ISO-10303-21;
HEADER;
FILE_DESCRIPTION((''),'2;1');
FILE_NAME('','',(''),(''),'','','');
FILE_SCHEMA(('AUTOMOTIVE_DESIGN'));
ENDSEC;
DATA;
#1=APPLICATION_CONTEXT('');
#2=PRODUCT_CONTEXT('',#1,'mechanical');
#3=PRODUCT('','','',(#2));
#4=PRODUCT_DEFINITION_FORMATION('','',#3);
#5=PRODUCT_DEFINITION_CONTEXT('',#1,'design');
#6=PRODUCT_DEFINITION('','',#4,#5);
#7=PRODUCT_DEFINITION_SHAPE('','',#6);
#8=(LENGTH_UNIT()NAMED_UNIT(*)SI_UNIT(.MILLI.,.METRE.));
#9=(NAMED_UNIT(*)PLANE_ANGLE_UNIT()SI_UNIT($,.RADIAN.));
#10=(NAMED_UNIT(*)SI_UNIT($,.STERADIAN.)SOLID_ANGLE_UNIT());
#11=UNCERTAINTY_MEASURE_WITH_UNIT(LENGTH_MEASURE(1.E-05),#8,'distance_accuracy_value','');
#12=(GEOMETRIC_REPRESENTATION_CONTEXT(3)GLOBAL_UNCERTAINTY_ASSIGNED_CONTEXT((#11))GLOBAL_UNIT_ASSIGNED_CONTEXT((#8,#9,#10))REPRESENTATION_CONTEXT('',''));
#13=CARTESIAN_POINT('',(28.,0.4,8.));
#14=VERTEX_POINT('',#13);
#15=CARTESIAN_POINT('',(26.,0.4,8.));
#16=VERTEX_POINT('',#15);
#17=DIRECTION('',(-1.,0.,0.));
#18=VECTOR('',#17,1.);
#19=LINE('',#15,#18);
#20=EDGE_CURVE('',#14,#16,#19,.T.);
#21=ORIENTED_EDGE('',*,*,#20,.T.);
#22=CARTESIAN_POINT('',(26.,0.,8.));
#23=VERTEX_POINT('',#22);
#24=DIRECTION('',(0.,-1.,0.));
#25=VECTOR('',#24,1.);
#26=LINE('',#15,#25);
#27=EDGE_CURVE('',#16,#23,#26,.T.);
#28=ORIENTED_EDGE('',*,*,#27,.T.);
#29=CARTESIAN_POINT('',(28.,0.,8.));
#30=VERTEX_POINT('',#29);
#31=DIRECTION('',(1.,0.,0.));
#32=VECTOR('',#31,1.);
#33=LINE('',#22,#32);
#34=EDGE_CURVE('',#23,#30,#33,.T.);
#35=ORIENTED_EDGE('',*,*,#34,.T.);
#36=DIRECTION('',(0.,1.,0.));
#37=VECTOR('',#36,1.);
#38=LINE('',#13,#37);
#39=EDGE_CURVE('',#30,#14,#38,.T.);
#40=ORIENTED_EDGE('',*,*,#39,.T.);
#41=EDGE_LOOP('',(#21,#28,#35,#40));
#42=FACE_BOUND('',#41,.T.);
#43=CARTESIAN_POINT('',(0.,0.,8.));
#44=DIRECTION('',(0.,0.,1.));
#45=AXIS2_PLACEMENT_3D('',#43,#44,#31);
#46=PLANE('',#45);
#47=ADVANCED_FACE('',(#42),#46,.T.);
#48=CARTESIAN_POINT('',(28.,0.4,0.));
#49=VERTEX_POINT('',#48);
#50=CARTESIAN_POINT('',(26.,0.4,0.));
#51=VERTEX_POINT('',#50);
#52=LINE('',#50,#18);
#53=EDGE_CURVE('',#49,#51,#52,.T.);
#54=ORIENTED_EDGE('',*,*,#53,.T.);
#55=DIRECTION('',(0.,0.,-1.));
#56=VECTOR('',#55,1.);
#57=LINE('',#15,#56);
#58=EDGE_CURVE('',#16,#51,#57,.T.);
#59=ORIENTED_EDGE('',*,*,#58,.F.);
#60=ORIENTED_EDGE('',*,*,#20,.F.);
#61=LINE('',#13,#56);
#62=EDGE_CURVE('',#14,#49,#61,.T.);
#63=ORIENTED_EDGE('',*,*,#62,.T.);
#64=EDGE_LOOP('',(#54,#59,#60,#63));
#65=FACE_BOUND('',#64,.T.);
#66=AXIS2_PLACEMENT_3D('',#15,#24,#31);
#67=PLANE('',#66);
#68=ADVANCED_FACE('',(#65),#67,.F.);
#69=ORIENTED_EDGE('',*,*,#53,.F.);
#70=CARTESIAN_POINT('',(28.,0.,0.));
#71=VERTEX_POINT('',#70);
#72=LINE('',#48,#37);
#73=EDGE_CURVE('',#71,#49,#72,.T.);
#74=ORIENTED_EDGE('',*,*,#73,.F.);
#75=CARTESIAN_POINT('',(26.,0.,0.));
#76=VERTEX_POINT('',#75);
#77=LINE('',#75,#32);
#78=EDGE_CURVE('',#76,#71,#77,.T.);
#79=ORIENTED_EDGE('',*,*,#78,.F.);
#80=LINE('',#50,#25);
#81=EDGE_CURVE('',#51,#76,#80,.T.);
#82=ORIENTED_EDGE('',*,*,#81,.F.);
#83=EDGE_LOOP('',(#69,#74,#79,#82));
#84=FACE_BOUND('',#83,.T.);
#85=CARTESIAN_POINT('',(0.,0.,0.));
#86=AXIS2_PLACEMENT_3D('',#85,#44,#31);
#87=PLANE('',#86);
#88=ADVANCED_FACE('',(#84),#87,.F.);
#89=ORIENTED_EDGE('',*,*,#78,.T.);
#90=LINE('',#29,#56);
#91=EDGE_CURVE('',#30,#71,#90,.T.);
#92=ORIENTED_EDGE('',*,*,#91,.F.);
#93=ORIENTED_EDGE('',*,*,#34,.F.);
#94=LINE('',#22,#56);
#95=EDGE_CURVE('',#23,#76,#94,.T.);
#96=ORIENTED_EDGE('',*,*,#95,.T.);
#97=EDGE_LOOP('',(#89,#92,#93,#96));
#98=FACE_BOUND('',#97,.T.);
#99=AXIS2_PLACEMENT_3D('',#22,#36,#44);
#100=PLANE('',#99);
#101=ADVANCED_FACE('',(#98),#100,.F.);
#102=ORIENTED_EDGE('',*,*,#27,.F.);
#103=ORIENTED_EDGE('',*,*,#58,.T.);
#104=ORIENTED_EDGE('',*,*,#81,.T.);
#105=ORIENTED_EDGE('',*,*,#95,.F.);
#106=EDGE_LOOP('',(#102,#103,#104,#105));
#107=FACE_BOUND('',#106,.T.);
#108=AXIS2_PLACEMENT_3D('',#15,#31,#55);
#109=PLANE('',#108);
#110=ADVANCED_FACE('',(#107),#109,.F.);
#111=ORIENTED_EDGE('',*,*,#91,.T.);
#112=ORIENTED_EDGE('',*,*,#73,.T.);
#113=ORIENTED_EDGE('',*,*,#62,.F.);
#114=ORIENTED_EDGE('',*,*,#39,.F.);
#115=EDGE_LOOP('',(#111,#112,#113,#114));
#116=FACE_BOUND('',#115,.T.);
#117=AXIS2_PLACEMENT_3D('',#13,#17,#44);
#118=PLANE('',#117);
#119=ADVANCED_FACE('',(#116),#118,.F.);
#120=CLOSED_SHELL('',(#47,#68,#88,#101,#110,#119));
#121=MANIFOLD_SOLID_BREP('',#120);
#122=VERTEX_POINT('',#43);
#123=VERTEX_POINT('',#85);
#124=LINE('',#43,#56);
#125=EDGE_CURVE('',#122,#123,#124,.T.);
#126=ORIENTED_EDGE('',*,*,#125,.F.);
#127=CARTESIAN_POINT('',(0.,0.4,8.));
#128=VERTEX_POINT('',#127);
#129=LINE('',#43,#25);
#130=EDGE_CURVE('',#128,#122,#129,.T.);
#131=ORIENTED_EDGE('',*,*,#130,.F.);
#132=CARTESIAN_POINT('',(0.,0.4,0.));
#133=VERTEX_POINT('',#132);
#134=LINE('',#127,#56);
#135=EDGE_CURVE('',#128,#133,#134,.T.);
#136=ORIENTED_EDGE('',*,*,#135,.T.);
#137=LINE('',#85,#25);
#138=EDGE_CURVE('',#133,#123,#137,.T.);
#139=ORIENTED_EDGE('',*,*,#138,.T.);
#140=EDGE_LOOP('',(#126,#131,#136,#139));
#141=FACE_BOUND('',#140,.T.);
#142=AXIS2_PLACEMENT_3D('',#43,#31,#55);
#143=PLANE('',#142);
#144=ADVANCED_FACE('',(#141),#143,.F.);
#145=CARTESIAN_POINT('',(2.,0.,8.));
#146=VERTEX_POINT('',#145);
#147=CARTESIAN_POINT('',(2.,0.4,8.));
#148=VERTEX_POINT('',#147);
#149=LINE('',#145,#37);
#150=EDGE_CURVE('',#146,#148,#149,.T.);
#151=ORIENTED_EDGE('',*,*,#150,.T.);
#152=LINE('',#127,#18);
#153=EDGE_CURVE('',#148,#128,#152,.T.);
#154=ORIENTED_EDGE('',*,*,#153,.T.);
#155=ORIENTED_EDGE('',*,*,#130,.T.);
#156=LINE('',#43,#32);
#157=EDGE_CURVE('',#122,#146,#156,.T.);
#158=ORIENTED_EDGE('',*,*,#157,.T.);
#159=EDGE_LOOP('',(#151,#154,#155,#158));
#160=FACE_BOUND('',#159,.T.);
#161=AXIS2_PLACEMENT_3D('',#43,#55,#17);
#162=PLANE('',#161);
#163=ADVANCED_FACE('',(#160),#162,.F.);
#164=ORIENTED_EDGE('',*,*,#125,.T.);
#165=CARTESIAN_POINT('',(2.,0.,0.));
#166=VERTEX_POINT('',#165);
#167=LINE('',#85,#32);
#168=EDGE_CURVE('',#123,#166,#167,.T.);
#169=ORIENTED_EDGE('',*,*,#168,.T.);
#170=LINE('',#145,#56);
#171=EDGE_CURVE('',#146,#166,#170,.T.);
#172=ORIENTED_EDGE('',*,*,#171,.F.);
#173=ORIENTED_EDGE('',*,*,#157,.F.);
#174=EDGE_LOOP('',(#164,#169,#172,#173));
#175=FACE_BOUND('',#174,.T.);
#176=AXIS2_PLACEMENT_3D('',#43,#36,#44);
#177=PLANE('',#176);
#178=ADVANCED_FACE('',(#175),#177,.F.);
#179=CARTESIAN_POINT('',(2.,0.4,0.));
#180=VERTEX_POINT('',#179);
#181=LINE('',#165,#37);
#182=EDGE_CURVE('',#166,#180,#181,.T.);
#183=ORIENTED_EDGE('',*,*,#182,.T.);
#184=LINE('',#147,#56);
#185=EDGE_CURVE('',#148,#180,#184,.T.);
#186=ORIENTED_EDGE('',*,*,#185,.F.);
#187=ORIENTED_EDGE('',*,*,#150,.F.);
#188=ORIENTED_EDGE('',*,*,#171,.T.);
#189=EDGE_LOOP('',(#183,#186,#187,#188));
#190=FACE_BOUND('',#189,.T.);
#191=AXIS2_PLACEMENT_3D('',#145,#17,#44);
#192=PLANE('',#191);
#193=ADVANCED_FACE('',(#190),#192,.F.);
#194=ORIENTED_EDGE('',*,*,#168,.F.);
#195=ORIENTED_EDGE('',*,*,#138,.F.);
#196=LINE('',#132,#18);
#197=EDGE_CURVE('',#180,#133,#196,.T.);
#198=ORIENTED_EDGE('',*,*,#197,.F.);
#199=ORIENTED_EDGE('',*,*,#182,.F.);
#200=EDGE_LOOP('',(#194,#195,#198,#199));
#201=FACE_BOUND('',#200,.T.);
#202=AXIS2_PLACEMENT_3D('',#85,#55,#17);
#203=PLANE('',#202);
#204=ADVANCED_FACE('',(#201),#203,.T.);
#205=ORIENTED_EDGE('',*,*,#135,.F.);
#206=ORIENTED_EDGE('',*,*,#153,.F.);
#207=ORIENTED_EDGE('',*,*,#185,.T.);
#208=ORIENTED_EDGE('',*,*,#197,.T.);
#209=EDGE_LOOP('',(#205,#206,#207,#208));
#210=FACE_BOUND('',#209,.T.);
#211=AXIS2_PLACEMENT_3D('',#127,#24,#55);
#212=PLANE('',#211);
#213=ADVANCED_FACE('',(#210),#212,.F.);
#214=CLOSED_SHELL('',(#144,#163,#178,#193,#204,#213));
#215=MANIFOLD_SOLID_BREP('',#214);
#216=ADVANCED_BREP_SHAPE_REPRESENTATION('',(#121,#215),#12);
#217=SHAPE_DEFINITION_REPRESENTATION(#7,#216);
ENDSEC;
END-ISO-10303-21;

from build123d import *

# Parameters (mm, degrees)
SKETCH1_W             = 2
SKETCH1_H             = 0.4
BOSS_EXTRUDE1_DEPTH   = 8
BOSS_EXTRUDE1_2_DEPTH = 8


with BuildPart() as part:
    # Sketch1 → Boss-Extrude1 (new body)
    with BuildSketch(Plane.XY):
        with Locations((1, 0.2)):
            Rectangle(SKETCH1_W, SKETCH1_H)
    extrude(amount=BOSS_EXTRUDE1_DEPTH)


with BuildPart() as body_2:
    # Sketch1 → Boss-Extrude1 2 (new body)
    with BuildSketch(Plane.XY):
        with Locations((27, 0.2)):
            Rectangle(SKETCH1_W, SKETCH1_H)
    extrude(amount=BOSS_EXTRUDE1_2_DEPTH)


solid = Compound([part.part, body_2.part])
